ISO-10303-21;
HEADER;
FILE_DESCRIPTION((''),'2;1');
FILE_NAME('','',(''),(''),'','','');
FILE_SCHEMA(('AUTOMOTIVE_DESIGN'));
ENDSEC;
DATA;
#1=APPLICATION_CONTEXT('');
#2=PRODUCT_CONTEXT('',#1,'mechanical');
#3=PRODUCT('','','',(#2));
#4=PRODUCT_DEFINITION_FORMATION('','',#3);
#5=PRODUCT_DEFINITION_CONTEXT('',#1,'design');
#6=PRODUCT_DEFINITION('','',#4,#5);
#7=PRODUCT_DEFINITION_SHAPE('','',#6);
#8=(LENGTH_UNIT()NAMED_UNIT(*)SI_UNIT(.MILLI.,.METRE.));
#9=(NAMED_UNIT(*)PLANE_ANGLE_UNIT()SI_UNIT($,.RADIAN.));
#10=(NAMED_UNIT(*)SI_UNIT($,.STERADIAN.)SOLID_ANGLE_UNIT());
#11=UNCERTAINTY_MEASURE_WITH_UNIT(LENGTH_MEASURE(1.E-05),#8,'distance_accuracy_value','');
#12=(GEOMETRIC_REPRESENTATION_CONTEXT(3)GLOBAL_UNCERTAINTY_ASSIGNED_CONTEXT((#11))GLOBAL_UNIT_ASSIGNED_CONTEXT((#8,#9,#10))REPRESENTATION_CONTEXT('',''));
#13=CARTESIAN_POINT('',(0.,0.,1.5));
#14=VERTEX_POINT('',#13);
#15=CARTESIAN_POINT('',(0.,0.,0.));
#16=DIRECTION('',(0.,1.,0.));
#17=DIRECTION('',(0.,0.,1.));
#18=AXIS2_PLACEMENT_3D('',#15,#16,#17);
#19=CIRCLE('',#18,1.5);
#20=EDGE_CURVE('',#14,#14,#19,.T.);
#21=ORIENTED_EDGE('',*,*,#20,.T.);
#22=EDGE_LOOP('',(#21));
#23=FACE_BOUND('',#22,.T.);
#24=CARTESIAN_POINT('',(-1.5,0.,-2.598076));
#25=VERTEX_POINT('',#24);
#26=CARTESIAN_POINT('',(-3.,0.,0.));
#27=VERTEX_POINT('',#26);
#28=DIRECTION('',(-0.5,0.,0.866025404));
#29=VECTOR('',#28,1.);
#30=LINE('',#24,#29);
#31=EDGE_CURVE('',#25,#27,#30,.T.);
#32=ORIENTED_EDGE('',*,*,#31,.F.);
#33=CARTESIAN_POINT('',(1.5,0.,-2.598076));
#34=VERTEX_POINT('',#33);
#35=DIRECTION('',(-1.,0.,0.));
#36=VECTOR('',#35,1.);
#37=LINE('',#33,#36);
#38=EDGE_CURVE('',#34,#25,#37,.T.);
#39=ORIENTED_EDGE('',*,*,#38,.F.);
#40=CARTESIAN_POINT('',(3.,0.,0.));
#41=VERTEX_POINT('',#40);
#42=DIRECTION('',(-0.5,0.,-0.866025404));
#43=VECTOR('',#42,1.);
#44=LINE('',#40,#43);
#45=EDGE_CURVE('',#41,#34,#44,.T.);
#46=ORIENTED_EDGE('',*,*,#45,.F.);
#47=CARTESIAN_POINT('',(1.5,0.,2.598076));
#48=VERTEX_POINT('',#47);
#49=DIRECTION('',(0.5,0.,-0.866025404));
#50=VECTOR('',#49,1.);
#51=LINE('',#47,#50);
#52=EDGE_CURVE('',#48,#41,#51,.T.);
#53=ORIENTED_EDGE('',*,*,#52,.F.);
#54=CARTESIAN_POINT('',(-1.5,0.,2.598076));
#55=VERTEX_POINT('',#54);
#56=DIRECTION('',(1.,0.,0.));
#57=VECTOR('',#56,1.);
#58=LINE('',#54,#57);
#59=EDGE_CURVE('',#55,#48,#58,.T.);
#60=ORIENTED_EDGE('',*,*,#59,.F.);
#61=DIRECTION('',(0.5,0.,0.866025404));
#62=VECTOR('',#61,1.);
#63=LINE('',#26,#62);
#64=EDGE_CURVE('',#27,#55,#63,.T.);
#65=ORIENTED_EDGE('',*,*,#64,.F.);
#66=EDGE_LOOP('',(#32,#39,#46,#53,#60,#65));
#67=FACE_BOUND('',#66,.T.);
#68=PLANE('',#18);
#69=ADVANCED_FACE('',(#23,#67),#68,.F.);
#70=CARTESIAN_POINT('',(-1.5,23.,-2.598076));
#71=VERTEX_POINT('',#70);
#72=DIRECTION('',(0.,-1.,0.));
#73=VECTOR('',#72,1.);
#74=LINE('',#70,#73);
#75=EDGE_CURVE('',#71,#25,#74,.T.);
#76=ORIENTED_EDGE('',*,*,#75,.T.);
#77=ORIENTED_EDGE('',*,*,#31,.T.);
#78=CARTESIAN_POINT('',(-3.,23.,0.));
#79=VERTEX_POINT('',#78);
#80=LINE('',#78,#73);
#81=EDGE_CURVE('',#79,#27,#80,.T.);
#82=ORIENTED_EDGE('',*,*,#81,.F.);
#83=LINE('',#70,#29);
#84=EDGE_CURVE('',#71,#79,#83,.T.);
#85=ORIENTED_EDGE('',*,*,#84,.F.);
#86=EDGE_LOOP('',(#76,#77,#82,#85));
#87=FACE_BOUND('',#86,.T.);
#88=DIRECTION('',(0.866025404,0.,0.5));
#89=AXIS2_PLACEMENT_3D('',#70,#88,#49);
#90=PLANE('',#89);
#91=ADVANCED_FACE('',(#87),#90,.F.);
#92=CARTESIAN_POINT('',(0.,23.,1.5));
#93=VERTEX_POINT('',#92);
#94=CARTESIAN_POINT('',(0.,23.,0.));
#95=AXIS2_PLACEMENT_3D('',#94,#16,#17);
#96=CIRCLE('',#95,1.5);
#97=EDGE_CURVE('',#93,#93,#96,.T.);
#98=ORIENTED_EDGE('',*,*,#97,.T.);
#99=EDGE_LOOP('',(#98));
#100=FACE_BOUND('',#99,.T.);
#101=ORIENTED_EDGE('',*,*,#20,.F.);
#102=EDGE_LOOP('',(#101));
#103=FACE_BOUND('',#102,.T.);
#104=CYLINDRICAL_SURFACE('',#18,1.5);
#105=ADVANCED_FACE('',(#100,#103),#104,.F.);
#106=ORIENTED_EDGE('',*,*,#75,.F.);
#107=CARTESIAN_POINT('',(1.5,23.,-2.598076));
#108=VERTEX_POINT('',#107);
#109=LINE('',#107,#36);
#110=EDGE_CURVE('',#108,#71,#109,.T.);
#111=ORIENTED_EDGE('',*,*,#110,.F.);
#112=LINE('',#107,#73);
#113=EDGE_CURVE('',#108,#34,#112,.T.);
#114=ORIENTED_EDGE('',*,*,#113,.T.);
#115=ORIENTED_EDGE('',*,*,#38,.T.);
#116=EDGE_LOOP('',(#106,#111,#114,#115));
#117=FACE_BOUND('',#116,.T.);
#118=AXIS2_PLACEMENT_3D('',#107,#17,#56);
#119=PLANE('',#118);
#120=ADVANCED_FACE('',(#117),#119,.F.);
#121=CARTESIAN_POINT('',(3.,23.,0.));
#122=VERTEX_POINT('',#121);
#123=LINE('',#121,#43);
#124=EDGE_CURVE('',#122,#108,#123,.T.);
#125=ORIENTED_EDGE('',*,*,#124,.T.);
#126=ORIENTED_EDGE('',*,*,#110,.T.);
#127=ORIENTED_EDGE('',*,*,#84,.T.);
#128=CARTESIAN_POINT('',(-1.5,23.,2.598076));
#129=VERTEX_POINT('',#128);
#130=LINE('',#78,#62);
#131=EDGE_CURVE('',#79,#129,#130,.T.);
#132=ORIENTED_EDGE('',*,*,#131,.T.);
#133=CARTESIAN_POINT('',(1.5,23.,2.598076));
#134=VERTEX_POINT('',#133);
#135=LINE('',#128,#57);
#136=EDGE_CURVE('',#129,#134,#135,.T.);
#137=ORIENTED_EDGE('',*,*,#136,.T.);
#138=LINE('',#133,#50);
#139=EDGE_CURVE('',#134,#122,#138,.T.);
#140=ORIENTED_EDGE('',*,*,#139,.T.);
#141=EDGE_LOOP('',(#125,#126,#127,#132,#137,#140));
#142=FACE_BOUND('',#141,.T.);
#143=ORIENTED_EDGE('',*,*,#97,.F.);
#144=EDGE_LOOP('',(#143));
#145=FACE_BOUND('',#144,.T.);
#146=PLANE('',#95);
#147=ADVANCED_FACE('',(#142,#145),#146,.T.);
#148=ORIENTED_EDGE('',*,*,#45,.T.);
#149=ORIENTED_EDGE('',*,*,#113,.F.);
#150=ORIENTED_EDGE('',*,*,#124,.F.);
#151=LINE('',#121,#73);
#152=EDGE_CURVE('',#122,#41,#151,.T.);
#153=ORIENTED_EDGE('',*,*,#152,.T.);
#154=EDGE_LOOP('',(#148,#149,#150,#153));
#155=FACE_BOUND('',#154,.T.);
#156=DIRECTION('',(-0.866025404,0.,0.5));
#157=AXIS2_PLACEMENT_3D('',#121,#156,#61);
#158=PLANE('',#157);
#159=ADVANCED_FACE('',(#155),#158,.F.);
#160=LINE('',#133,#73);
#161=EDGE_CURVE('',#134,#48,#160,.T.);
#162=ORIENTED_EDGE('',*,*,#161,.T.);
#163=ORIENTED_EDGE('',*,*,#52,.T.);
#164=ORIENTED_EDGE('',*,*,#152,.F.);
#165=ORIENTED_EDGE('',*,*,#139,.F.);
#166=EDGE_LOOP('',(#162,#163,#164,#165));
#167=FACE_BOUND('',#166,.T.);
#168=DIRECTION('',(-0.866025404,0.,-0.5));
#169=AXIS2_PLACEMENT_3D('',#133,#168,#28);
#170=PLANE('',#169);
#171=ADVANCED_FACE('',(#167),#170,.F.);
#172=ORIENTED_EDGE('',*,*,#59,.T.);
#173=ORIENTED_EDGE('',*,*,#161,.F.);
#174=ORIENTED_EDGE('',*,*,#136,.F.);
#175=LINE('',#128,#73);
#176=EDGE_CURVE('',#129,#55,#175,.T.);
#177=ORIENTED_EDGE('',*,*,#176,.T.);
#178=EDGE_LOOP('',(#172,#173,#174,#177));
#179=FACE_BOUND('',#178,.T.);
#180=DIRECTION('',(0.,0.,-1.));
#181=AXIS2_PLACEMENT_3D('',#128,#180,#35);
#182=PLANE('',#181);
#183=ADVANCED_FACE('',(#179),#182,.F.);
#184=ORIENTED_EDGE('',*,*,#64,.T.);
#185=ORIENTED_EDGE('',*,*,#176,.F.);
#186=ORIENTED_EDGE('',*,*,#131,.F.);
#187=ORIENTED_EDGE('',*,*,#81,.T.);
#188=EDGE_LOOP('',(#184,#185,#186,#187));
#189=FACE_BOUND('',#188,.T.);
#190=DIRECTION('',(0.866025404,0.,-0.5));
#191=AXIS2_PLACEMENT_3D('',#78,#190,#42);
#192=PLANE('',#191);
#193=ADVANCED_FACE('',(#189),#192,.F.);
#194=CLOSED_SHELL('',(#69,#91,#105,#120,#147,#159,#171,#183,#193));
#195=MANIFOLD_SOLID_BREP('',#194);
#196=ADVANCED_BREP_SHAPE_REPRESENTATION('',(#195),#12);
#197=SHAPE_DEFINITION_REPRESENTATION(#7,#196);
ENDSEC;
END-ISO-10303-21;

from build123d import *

# Parameters (mm, degrees)
BOSS_EXTRU_1_DEPTH = 23
SKETCH1_R          = 1.5
CUT_EXTRUDE1_DEPTH = 24.339880034


with BuildPart() as part:
    # Esquisse1 → Boss.-Extru.1 (new body)
    with BuildSketch(Plane(origin=(0, 0, 0), x_dir=(1, 0, 0), z_dir=(0, 1, 0))):
        Polygon((3, 0), (1.5, 2.598076211), (-1.5, 2.598076211), (-3, 0), (-1.5, -2.598076211), (1.5, -2.598076211), align=None)
    extrude(amount=BOSS_EXTRU_1_DEPTH)

    # Sketch1 → Cut-Extrude1 (cut, through all)
    with BuildSketch(Plane(origin=(0, 23, 0), x_dir=(1, 0, 0), z_dir=(0, 1, 0))):
        with Locations(Location((0, 0, 0), (0, 0, 270))):
            Circle(SKETCH1_R)
    extrude(amount=-CUT_EXTRUDE1_DEPTH, mode=Mode.SUBTRACT)


solid = part.part
